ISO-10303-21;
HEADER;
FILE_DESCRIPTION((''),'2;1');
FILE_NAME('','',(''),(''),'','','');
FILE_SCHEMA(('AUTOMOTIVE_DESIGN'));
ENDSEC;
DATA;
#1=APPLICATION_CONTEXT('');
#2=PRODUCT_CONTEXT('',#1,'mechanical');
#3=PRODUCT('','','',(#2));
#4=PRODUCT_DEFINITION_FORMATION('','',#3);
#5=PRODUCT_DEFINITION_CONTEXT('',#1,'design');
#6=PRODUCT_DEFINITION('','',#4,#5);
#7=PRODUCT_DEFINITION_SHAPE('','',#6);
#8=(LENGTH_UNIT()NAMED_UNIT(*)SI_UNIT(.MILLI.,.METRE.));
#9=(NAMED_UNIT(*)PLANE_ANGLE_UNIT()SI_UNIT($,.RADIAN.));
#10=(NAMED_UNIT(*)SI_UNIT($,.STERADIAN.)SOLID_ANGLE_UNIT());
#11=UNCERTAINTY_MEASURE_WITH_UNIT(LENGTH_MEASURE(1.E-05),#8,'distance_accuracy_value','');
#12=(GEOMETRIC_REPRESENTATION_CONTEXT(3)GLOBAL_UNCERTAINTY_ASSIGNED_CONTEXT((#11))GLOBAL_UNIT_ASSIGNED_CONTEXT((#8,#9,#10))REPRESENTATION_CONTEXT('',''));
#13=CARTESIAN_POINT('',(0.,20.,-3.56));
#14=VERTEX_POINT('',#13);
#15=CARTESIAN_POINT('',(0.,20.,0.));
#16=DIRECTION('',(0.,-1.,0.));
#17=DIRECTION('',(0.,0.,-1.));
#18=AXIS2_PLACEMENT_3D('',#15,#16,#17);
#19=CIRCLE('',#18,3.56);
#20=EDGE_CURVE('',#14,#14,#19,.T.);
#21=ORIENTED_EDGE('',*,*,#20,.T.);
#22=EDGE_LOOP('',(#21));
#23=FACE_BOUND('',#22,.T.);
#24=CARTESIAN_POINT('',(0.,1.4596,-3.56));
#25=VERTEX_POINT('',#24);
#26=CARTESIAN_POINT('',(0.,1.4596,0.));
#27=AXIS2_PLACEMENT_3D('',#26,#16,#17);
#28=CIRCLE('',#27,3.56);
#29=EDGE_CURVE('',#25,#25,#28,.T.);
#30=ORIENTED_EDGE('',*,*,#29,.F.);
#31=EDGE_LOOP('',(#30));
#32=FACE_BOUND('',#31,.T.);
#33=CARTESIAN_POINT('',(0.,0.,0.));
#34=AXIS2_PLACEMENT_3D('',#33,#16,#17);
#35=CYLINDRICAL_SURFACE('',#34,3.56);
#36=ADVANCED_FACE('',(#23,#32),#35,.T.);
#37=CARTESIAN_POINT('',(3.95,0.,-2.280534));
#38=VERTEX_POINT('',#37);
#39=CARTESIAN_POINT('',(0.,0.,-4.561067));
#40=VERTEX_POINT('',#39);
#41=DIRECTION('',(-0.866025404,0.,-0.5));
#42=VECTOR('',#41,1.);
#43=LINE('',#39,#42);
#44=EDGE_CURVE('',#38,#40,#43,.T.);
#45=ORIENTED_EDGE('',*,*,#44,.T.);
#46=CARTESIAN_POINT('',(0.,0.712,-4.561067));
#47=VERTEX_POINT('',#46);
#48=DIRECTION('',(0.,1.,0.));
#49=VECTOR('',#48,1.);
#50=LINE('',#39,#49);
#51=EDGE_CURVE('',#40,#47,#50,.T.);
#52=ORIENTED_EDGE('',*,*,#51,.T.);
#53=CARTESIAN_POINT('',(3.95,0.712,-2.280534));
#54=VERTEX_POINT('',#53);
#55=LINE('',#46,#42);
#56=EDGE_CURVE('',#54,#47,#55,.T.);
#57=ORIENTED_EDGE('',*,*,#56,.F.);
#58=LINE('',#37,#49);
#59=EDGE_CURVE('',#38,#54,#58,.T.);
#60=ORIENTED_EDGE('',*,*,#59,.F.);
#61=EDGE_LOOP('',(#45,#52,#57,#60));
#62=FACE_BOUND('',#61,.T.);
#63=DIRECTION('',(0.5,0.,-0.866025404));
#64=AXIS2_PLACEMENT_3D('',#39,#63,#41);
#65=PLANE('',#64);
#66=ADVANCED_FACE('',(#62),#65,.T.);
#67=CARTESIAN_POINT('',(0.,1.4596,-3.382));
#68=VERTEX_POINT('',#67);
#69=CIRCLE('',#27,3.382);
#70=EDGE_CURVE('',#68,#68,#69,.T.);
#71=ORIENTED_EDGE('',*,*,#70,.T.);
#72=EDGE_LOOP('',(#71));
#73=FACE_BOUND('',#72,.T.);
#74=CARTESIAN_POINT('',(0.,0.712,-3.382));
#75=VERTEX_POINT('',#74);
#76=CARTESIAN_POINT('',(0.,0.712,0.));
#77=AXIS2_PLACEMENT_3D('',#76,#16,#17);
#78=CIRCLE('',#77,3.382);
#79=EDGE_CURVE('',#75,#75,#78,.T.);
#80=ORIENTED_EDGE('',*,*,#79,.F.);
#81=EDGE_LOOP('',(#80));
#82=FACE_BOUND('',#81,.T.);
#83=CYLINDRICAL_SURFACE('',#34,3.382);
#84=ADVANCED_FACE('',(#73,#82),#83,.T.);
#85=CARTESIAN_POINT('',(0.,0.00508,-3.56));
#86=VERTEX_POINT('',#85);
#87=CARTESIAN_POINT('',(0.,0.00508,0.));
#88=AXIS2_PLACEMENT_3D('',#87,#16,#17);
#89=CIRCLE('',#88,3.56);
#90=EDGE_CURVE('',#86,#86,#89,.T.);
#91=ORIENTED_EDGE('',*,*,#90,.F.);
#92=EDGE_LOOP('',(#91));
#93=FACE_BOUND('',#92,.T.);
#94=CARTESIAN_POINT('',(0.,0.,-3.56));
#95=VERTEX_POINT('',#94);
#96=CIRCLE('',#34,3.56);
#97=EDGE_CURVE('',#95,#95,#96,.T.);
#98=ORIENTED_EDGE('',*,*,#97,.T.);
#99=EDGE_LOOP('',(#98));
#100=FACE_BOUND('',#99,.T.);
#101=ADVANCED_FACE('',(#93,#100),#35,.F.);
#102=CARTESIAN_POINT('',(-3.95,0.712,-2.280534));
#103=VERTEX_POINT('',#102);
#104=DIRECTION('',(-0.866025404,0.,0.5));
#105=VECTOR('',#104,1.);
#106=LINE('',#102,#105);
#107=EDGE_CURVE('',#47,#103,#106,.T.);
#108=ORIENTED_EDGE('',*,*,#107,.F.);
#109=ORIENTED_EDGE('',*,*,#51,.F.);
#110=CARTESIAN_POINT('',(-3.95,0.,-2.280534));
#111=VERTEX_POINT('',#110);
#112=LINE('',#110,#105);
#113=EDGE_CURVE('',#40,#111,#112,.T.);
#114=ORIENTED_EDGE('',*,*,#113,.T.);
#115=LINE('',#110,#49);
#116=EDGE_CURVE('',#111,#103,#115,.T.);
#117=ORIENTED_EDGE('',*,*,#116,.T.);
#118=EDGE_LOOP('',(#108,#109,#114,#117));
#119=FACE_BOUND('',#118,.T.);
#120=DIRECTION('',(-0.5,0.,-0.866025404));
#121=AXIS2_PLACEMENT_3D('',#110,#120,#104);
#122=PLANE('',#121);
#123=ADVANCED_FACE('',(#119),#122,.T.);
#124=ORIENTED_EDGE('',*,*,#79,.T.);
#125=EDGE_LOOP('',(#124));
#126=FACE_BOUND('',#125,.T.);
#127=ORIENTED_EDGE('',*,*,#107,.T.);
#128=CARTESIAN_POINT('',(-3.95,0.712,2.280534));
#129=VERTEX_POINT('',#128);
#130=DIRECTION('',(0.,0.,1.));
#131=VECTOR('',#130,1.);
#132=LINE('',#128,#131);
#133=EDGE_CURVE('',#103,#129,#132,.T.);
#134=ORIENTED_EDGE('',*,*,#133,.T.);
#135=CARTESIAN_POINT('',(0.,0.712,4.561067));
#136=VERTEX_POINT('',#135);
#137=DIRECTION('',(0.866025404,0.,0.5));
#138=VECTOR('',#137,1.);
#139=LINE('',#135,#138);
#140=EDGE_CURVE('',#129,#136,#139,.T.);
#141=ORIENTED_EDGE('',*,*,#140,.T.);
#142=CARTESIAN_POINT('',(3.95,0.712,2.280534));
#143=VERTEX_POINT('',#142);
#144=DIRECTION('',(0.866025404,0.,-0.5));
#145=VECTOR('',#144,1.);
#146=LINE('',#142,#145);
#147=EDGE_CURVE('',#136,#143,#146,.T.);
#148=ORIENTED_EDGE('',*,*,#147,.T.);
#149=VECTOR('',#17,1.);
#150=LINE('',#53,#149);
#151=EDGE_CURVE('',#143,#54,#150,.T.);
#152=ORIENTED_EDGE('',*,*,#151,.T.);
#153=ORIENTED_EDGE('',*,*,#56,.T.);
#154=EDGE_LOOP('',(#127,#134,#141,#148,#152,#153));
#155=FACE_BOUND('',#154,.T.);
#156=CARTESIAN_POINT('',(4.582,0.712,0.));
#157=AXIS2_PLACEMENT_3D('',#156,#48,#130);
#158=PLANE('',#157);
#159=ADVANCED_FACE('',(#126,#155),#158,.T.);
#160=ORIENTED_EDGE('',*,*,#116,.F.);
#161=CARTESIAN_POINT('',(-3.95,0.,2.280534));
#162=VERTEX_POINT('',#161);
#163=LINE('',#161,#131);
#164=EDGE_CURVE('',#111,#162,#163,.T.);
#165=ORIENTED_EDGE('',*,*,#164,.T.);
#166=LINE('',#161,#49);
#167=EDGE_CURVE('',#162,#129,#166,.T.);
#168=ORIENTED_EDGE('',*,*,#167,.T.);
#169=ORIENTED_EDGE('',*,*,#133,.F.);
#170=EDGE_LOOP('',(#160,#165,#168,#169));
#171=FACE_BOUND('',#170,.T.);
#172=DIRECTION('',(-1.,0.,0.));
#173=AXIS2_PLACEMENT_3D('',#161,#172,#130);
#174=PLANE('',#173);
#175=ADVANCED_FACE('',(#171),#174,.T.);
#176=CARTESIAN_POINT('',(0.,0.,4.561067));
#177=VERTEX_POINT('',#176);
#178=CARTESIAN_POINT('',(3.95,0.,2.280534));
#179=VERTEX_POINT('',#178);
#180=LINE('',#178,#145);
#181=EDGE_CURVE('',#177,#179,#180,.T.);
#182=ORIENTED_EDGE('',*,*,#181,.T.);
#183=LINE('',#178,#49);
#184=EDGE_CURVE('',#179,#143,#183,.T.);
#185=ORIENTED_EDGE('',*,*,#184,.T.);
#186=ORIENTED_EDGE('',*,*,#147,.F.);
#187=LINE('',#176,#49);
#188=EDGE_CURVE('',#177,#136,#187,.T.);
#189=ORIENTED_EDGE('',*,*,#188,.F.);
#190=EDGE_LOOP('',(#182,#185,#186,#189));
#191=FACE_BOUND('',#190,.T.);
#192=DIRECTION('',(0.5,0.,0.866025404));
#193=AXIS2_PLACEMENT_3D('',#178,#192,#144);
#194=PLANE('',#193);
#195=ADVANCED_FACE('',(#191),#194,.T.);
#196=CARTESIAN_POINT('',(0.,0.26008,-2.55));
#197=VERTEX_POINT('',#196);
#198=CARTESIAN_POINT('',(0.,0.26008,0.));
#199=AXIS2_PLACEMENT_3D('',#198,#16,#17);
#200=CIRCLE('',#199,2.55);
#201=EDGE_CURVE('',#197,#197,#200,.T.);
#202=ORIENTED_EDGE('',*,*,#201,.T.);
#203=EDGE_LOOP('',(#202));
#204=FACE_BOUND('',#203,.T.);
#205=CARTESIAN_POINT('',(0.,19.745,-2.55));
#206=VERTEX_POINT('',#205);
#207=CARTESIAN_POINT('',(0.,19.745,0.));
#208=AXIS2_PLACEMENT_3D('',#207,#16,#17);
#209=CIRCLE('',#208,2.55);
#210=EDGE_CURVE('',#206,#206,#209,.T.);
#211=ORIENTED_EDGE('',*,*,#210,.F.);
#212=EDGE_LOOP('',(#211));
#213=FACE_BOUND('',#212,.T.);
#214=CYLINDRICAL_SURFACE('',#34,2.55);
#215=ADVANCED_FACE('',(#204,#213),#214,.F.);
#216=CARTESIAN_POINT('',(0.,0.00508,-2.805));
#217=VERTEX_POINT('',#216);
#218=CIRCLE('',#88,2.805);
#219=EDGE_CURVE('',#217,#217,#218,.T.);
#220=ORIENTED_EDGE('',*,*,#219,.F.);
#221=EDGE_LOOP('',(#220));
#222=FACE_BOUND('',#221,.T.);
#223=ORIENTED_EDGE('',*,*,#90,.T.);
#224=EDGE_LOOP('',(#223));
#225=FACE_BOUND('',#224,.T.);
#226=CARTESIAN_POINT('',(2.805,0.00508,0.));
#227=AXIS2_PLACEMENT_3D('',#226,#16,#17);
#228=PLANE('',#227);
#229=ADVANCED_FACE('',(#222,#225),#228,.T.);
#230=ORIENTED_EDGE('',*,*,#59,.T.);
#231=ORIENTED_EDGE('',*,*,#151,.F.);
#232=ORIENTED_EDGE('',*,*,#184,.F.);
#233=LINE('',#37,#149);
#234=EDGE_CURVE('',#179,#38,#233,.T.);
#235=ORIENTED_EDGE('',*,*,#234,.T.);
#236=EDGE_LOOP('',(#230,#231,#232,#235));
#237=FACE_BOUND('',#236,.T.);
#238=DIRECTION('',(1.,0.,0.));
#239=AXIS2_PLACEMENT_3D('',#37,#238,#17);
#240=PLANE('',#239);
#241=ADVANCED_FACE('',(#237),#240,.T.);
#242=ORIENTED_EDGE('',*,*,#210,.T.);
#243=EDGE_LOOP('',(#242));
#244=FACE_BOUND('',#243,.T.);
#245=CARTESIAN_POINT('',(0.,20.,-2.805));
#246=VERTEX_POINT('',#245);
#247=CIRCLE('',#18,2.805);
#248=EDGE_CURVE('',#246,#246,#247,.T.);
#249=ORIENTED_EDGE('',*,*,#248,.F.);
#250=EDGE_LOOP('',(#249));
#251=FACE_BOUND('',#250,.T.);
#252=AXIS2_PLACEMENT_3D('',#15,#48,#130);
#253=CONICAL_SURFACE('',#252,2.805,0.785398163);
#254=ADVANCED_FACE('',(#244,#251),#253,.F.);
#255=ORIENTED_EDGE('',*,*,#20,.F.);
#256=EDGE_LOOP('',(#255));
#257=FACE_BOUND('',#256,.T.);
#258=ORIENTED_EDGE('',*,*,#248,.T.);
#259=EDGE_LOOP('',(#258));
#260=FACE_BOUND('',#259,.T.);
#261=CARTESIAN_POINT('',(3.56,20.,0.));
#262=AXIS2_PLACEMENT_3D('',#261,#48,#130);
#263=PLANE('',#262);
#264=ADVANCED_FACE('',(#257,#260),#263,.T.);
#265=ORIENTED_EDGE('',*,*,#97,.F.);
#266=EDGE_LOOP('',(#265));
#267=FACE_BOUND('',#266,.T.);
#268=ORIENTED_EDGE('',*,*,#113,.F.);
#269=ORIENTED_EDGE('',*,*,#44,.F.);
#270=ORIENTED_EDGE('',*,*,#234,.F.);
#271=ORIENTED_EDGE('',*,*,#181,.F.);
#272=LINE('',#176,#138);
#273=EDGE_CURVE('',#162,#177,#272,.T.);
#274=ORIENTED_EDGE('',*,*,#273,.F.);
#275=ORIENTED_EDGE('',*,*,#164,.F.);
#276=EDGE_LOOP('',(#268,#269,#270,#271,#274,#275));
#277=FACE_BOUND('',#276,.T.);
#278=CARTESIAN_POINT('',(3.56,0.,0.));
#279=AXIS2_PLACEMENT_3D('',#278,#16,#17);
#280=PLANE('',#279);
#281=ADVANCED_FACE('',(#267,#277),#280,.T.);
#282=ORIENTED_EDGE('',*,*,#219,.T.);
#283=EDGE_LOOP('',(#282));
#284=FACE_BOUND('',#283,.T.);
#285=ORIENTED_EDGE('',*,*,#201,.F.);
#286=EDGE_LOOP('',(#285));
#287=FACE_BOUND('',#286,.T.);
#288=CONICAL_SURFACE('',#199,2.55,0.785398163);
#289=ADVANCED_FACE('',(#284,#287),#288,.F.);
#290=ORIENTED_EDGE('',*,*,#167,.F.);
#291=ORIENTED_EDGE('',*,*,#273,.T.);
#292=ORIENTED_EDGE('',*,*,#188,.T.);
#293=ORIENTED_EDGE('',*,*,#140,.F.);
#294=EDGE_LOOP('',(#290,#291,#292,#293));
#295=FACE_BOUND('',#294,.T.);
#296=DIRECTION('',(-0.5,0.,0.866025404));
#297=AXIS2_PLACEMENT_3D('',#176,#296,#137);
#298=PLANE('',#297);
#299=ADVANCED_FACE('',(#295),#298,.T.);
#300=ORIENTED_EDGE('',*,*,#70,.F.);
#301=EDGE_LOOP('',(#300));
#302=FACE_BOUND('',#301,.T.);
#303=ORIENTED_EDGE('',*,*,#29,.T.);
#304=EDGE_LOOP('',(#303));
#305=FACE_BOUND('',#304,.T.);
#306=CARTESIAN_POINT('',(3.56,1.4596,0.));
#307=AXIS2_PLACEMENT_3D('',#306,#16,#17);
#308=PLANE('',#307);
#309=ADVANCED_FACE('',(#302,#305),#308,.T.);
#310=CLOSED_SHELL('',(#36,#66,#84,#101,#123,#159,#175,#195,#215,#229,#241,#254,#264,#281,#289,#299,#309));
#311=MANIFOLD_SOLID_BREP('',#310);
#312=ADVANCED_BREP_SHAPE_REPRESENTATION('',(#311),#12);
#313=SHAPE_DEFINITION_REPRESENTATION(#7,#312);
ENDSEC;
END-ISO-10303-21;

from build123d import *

# Parameters (mm, degrees)
HEXDIESKE_R  = 4.5825
HEXDIE_DEPTH = 0.712


with BuildPart() as part:
    # BodySke → Body (revolve)
    with BuildSketch(Plane.XY, mode=Mode.PRIVATE) as body_sk:
        Polygon((3.56, 0), (4.582, 0), (4.582, 0.712), (3.382, 0.712), (3.382, 1.4596), (3.56, 1.4596), (3.56, 20), (2.805, 20), (2.55, 19.745), (2.55, 0.26008), (2.805, 0.00508), (3.56, 0.00508), align=None)
    revolve(body_sk.sketch.rotate(Axis((0, 0, 0), (0, 1, 0)), 90), axis=Axis((0, 0, 0), (0, 1, 0)))

    # HexDieSke → HexDie (cut)
    with BuildSketch(Plane(origin=(0, 0.712, 0), x_dir=(-1, 0, 0), z_dir=(0, 1, 0))):
        Circle(HEXDIESKE_R)
        Polygon((0, 4.561067127), (3.95, 2.280533563), (3.95, -2.280533563), (0, -4.561067127), (-3.95, -2.280533563), (-3.95, 2.280533563), align=None, mode=Mode.SUBTRACT)
    extrude(amount=-HEXDIE_DEPTH, mode=Mode.SUBTRACT)


solid = part.part
